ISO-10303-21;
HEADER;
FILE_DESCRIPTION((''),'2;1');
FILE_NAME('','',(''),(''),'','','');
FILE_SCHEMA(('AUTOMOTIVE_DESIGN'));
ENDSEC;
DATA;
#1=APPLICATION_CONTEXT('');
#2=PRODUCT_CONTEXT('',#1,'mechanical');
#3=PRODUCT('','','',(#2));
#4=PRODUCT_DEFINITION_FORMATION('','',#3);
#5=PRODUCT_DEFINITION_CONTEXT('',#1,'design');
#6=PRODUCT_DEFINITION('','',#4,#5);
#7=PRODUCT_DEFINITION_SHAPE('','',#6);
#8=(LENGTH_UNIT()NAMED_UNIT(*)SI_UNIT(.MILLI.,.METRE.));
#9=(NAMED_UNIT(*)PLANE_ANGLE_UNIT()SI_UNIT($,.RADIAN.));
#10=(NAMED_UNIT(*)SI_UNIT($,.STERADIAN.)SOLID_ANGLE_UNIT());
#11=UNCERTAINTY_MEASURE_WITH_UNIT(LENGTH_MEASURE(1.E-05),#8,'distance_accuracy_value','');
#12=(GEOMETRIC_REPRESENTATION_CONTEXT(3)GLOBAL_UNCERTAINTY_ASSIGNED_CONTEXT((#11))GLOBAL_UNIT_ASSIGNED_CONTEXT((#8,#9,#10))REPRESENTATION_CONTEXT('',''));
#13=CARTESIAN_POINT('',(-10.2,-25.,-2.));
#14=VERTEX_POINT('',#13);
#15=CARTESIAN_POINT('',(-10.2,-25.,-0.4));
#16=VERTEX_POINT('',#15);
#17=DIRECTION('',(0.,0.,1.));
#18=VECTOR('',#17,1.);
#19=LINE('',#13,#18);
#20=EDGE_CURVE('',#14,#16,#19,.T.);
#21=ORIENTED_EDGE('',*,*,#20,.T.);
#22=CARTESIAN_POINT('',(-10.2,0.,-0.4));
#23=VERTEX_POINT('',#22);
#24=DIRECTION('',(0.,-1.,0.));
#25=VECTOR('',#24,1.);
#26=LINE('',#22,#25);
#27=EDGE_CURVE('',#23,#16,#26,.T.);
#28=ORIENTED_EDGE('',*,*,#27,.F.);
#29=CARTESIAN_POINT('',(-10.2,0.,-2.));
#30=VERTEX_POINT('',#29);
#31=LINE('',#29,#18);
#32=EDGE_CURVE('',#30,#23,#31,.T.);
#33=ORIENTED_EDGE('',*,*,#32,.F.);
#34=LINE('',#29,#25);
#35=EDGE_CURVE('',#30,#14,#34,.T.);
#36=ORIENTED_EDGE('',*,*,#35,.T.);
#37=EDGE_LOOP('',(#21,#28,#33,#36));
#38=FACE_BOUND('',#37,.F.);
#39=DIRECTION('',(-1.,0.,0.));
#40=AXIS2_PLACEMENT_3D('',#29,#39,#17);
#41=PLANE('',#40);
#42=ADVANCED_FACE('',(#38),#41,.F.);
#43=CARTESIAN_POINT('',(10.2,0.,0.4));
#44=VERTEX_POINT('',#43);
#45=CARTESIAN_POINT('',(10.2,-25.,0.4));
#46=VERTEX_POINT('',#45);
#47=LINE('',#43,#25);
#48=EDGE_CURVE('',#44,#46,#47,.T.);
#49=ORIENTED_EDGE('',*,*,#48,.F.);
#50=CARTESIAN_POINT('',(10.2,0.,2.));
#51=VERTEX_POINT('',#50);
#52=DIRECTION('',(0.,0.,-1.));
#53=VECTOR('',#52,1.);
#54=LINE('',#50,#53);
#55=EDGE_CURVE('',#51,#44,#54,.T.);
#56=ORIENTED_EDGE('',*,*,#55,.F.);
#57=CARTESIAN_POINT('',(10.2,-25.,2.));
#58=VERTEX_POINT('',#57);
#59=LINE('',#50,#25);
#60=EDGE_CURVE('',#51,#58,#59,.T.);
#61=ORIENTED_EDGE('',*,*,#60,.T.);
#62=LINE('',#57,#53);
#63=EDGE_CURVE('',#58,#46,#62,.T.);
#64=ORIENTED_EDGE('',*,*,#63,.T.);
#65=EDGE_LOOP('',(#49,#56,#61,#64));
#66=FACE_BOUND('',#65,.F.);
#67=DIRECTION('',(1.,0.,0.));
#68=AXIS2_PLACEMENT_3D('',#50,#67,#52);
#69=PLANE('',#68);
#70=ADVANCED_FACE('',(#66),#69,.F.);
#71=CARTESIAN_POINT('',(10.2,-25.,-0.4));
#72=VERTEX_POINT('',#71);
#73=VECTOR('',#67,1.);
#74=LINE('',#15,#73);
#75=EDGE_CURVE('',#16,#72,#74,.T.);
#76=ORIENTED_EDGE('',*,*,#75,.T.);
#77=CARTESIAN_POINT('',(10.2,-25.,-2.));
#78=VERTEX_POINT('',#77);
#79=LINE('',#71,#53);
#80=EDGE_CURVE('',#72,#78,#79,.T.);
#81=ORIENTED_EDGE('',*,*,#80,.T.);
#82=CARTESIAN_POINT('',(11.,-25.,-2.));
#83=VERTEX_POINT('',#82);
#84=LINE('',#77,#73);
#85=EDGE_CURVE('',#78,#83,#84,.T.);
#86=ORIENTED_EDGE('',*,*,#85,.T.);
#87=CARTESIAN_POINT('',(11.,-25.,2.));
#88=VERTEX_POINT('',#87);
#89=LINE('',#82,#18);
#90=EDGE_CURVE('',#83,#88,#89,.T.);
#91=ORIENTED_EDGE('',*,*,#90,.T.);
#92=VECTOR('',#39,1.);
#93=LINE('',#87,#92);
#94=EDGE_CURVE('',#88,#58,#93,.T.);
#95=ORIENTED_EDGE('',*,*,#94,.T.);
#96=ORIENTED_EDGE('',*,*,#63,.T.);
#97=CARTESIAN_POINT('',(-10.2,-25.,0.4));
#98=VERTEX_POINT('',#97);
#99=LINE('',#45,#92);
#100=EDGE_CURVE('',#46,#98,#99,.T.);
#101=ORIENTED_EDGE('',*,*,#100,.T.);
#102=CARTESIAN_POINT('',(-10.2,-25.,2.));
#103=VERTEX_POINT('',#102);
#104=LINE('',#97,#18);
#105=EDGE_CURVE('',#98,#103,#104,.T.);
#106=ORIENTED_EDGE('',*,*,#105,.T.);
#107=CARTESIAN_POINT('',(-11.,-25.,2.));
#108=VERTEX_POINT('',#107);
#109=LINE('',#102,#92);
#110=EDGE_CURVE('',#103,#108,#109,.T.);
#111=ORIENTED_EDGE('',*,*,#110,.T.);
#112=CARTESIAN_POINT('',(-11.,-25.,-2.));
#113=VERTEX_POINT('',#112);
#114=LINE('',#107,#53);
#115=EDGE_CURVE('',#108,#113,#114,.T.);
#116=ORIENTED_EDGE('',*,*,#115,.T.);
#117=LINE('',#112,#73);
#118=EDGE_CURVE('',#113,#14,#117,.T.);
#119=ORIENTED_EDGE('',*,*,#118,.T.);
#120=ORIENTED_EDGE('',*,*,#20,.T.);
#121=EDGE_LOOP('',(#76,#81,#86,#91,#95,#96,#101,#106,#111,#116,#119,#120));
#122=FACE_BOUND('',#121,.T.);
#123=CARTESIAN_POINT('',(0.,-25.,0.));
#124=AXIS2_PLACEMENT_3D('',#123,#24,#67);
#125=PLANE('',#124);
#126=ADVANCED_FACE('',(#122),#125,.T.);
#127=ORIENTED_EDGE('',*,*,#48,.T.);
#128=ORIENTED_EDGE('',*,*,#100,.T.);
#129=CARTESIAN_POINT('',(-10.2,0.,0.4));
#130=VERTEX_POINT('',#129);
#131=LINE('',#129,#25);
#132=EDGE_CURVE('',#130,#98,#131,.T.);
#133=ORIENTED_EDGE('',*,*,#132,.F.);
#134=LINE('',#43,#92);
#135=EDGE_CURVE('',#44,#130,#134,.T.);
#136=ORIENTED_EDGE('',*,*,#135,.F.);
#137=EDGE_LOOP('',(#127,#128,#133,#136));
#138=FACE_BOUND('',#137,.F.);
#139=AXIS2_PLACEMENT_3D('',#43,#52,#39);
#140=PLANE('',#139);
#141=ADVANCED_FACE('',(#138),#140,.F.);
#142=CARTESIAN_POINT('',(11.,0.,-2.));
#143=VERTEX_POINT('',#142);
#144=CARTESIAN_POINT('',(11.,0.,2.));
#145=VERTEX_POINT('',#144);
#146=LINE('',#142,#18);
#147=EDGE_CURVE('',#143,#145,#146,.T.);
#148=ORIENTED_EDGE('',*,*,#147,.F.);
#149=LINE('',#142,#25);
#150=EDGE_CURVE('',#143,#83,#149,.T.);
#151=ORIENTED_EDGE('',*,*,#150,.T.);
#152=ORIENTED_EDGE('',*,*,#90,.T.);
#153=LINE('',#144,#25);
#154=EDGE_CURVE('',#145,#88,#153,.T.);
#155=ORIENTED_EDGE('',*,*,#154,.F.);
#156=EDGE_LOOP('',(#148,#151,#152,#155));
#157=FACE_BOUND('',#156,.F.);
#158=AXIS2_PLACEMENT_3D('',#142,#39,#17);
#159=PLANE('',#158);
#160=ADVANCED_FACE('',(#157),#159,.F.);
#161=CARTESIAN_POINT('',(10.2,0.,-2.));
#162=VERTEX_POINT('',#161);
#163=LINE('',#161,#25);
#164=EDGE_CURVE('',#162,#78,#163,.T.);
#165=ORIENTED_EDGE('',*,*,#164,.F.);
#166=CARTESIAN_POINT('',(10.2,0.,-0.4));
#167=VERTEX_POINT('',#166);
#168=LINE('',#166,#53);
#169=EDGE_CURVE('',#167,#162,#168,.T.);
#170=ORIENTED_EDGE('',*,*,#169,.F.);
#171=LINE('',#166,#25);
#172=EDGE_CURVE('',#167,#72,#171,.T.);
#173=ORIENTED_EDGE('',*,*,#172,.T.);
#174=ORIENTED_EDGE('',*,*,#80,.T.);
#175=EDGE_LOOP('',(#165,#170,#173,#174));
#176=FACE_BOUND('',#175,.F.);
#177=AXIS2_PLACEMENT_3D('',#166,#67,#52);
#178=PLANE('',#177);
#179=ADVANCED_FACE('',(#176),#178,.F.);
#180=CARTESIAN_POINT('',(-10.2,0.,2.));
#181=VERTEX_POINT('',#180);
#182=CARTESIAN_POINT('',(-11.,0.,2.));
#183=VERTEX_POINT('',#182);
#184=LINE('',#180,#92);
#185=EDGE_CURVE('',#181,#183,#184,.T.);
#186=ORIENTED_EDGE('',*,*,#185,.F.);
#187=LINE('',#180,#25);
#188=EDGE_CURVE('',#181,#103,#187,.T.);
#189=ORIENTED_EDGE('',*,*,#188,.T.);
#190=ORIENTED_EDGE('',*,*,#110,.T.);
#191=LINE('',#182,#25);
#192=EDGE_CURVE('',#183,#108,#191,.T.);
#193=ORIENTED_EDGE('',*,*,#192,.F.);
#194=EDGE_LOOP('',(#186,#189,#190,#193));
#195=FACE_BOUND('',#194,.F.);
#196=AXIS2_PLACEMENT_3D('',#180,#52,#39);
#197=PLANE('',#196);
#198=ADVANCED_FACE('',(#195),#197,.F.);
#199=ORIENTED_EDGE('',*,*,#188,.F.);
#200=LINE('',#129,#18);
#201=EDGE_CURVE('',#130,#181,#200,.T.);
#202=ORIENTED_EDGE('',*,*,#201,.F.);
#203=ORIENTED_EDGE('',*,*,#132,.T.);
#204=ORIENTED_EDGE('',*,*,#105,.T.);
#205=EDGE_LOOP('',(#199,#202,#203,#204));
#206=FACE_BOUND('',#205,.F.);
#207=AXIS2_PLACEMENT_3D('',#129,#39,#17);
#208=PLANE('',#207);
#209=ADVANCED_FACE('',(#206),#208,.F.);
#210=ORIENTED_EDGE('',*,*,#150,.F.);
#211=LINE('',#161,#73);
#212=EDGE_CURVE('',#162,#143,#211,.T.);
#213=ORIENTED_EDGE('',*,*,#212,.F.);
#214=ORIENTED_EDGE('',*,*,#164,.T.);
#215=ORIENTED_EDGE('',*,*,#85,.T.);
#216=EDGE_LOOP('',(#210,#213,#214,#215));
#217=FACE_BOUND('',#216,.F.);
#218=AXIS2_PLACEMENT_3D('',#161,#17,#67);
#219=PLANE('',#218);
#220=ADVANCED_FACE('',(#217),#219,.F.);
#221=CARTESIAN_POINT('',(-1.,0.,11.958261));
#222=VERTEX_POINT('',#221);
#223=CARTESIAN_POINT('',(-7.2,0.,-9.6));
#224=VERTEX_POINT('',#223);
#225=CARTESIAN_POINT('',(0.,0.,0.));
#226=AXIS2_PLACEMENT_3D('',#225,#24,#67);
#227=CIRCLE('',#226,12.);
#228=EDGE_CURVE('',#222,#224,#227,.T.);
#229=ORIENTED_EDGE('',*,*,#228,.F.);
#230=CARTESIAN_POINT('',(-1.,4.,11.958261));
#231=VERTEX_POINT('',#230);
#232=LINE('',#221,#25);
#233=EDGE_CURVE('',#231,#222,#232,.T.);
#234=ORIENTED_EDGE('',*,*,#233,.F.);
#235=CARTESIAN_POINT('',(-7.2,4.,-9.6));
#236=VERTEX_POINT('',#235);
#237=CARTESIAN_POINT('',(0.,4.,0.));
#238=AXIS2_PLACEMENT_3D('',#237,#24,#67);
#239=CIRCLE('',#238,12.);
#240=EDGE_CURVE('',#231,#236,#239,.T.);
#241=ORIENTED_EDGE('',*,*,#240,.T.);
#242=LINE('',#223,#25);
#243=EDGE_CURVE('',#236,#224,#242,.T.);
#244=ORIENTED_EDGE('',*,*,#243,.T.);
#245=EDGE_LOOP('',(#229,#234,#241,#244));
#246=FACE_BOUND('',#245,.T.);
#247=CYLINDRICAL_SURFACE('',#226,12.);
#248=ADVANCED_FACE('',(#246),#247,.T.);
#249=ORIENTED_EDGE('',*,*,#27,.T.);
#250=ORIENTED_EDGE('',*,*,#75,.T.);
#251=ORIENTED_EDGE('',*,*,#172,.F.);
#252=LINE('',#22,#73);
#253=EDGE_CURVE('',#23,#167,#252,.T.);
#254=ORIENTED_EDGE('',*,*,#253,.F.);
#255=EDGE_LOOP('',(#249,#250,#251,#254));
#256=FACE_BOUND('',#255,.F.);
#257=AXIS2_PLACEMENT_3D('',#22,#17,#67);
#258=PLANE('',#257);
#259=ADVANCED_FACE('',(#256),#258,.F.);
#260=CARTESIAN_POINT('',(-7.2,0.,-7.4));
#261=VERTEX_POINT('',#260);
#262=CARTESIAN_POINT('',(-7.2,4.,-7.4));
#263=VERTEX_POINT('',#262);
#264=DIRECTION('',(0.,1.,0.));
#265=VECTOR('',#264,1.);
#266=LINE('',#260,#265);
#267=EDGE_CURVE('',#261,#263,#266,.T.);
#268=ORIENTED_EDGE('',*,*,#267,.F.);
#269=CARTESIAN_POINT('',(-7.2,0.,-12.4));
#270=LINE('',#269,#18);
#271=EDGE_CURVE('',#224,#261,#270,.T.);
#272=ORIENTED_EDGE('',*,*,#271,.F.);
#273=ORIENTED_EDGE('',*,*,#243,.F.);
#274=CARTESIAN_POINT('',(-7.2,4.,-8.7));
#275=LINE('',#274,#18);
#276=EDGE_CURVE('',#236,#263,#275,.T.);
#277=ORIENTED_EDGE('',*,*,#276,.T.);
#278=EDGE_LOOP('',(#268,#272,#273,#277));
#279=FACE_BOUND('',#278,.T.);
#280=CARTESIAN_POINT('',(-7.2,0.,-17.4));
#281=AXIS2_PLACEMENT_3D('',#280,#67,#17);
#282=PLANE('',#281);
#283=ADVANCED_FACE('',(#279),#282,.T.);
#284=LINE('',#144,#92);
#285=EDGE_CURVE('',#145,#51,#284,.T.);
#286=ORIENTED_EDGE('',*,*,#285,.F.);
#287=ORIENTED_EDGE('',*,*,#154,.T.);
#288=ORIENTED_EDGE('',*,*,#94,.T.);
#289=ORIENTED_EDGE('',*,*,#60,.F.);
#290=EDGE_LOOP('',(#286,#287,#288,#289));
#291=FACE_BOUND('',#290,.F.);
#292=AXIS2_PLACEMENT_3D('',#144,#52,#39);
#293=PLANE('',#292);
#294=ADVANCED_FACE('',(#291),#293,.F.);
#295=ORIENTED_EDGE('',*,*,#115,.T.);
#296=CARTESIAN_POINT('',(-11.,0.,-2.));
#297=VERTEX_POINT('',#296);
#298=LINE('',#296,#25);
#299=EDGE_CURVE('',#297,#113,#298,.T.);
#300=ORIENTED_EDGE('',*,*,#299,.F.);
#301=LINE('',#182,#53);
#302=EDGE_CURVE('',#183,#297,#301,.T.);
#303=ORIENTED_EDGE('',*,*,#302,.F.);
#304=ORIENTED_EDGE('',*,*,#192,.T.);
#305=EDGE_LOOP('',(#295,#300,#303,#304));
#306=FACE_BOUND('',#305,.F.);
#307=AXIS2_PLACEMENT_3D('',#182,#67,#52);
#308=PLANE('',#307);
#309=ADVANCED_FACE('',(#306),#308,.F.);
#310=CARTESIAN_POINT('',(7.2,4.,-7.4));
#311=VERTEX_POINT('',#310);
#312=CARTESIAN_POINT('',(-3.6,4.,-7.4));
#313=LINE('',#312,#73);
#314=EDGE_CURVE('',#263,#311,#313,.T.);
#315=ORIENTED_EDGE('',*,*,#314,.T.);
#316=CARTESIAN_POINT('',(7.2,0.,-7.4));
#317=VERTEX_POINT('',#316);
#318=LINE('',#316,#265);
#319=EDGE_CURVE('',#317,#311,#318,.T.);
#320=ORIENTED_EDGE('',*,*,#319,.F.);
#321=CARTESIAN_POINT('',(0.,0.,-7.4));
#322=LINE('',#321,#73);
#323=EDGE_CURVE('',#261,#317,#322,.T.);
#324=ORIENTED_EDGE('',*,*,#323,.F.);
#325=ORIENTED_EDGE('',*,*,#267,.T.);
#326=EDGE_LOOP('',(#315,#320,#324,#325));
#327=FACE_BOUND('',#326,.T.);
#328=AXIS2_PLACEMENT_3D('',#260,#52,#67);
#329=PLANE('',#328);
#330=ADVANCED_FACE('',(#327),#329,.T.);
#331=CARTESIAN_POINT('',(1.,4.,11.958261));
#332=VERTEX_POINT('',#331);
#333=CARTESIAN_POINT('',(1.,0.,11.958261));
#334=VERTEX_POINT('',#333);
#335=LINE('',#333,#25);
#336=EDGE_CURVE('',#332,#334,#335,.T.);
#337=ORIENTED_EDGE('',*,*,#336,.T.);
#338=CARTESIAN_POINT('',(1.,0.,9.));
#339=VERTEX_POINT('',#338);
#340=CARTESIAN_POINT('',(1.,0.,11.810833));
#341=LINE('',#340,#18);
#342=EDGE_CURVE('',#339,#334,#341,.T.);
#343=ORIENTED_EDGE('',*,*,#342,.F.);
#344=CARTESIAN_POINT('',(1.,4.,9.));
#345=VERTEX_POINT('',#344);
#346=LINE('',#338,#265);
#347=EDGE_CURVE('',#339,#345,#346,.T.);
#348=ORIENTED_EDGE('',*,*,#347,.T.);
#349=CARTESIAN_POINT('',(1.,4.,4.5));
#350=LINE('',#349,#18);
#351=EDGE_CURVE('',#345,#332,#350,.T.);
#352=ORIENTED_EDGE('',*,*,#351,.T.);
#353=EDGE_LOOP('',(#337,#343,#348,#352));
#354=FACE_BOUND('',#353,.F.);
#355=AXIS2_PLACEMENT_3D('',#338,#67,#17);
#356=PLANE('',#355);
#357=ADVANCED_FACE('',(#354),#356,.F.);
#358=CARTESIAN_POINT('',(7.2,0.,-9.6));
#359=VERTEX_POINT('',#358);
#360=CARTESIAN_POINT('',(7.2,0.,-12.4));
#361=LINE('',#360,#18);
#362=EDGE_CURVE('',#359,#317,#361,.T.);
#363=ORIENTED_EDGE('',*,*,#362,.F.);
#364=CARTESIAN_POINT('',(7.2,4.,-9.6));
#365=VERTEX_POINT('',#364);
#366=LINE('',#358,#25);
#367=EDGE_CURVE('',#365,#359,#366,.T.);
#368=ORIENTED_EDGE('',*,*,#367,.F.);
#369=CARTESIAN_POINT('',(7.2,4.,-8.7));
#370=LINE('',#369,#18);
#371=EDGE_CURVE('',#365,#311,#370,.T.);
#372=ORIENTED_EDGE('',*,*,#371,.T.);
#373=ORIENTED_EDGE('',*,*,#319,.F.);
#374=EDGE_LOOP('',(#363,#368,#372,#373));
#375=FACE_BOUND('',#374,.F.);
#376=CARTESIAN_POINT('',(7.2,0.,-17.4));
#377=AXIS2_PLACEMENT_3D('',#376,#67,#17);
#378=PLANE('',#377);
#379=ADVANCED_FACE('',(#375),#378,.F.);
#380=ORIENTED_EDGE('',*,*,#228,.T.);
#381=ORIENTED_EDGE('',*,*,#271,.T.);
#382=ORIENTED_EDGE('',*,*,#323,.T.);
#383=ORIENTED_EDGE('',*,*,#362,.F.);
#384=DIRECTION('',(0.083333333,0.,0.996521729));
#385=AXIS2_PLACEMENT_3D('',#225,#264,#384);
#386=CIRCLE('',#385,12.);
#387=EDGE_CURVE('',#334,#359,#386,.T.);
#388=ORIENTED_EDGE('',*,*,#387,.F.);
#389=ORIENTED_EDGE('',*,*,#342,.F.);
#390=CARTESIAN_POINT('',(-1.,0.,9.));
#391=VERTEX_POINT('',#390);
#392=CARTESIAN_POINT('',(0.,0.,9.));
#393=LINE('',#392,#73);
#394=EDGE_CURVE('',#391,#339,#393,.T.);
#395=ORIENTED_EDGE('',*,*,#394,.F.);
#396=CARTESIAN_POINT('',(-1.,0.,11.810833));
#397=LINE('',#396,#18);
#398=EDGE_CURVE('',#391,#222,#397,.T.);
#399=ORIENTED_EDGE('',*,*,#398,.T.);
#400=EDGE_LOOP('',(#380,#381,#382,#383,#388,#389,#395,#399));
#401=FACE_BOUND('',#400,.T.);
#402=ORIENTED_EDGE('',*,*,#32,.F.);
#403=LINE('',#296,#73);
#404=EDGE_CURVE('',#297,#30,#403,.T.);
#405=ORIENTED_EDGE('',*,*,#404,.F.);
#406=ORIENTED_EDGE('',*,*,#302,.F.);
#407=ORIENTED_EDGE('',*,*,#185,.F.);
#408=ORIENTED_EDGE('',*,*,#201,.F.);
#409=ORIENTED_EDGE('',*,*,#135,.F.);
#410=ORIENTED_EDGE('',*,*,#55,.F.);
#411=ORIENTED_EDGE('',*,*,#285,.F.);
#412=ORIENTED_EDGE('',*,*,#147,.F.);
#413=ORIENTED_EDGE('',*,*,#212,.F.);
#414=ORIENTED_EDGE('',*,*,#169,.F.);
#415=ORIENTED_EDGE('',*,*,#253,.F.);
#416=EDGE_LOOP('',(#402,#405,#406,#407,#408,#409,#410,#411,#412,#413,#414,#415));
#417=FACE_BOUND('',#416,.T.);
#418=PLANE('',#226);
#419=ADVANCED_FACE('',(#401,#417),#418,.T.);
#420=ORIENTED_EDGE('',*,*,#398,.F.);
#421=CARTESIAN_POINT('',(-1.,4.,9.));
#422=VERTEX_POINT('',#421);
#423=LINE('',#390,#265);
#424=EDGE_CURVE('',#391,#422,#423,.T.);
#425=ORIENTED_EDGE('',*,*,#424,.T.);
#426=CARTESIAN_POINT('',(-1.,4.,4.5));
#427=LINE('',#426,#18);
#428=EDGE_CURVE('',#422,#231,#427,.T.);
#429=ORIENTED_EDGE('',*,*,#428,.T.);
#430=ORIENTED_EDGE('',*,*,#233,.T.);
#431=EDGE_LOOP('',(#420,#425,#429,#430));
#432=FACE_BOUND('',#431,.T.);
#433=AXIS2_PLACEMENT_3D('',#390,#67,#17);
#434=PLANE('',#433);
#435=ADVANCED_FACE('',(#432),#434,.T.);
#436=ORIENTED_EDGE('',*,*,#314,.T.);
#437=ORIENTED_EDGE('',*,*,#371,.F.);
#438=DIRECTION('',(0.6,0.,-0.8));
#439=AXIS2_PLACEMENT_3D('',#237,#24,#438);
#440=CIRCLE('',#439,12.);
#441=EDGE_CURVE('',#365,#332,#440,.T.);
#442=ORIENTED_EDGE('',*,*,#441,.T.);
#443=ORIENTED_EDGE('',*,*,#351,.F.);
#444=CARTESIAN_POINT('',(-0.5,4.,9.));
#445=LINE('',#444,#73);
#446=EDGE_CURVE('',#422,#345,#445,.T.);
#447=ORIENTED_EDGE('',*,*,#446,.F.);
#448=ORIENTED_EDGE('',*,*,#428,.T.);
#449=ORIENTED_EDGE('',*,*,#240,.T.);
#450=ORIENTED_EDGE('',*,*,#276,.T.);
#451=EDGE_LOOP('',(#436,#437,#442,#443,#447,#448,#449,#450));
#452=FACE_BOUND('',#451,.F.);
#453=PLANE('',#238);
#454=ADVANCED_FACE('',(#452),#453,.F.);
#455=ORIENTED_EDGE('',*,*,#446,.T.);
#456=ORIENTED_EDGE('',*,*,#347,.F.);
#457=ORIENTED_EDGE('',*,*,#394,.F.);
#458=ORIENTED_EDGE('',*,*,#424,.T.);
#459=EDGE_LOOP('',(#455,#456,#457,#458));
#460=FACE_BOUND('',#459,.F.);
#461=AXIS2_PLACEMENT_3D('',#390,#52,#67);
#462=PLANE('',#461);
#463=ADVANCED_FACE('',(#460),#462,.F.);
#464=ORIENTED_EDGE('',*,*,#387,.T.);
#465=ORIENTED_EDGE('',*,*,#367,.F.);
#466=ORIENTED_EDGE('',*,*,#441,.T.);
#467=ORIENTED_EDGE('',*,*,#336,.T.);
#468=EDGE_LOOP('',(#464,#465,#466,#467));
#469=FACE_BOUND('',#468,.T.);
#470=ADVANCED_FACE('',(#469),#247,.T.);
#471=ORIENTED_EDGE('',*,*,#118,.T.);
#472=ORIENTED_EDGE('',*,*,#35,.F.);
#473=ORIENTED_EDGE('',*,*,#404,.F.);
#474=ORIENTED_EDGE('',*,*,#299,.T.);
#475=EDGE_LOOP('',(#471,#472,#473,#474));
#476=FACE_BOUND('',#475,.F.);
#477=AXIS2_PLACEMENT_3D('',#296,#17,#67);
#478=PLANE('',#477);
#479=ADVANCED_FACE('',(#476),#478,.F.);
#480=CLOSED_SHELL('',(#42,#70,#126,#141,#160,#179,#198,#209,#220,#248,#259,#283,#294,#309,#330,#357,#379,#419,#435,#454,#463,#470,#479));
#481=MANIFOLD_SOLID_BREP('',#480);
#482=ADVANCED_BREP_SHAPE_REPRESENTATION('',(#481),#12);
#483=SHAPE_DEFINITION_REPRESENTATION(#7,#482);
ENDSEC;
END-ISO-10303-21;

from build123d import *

# Parameters (mm, degrees)
F1_R     = 12
F2_DEPTH = 4
F3_DEPTH = 25
F4_W     = 2
F4_H     = 5.621666
F4_W_2   = 14.4
F4_H_2   = 10
F5_DEPTH = 4.001


with BuildPart() as f2:
    # F1 (on Front) → F2 (new body)
    with BuildSketch(Plane.XZ):
        Circle(F1_R)
    extrude(amount=-F2_DEPTH)

    # F0 (on Front) → F3 (join)
    with BuildSketch(Plane.XZ):
        Polygon((10.2, 0.4), (-10.2, 0.4), (-10.2, 2), (-11, 2), (-11, -2), (-10.2, -2), (-10.2, -0.4), (10.2, -0.4), (10.2, -2), (11, -2), (11, 2), (10.2, 2), align=None)
    extrude(amount=F3_DEPTH)

    # F4 (on face) → F5 (cut, through all)
    with BuildSketch(Plane.XZ):
        with Locations((0, 11.810833)):
            Rectangle(F4_W, F4_H)
        with Locations((0, -12.4)):
            Rectangle(F4_W_2, F4_H_2)
    extrude(amount=-F5_DEPTH, mode=Mode.SUBTRACT)


solid = f2.part
